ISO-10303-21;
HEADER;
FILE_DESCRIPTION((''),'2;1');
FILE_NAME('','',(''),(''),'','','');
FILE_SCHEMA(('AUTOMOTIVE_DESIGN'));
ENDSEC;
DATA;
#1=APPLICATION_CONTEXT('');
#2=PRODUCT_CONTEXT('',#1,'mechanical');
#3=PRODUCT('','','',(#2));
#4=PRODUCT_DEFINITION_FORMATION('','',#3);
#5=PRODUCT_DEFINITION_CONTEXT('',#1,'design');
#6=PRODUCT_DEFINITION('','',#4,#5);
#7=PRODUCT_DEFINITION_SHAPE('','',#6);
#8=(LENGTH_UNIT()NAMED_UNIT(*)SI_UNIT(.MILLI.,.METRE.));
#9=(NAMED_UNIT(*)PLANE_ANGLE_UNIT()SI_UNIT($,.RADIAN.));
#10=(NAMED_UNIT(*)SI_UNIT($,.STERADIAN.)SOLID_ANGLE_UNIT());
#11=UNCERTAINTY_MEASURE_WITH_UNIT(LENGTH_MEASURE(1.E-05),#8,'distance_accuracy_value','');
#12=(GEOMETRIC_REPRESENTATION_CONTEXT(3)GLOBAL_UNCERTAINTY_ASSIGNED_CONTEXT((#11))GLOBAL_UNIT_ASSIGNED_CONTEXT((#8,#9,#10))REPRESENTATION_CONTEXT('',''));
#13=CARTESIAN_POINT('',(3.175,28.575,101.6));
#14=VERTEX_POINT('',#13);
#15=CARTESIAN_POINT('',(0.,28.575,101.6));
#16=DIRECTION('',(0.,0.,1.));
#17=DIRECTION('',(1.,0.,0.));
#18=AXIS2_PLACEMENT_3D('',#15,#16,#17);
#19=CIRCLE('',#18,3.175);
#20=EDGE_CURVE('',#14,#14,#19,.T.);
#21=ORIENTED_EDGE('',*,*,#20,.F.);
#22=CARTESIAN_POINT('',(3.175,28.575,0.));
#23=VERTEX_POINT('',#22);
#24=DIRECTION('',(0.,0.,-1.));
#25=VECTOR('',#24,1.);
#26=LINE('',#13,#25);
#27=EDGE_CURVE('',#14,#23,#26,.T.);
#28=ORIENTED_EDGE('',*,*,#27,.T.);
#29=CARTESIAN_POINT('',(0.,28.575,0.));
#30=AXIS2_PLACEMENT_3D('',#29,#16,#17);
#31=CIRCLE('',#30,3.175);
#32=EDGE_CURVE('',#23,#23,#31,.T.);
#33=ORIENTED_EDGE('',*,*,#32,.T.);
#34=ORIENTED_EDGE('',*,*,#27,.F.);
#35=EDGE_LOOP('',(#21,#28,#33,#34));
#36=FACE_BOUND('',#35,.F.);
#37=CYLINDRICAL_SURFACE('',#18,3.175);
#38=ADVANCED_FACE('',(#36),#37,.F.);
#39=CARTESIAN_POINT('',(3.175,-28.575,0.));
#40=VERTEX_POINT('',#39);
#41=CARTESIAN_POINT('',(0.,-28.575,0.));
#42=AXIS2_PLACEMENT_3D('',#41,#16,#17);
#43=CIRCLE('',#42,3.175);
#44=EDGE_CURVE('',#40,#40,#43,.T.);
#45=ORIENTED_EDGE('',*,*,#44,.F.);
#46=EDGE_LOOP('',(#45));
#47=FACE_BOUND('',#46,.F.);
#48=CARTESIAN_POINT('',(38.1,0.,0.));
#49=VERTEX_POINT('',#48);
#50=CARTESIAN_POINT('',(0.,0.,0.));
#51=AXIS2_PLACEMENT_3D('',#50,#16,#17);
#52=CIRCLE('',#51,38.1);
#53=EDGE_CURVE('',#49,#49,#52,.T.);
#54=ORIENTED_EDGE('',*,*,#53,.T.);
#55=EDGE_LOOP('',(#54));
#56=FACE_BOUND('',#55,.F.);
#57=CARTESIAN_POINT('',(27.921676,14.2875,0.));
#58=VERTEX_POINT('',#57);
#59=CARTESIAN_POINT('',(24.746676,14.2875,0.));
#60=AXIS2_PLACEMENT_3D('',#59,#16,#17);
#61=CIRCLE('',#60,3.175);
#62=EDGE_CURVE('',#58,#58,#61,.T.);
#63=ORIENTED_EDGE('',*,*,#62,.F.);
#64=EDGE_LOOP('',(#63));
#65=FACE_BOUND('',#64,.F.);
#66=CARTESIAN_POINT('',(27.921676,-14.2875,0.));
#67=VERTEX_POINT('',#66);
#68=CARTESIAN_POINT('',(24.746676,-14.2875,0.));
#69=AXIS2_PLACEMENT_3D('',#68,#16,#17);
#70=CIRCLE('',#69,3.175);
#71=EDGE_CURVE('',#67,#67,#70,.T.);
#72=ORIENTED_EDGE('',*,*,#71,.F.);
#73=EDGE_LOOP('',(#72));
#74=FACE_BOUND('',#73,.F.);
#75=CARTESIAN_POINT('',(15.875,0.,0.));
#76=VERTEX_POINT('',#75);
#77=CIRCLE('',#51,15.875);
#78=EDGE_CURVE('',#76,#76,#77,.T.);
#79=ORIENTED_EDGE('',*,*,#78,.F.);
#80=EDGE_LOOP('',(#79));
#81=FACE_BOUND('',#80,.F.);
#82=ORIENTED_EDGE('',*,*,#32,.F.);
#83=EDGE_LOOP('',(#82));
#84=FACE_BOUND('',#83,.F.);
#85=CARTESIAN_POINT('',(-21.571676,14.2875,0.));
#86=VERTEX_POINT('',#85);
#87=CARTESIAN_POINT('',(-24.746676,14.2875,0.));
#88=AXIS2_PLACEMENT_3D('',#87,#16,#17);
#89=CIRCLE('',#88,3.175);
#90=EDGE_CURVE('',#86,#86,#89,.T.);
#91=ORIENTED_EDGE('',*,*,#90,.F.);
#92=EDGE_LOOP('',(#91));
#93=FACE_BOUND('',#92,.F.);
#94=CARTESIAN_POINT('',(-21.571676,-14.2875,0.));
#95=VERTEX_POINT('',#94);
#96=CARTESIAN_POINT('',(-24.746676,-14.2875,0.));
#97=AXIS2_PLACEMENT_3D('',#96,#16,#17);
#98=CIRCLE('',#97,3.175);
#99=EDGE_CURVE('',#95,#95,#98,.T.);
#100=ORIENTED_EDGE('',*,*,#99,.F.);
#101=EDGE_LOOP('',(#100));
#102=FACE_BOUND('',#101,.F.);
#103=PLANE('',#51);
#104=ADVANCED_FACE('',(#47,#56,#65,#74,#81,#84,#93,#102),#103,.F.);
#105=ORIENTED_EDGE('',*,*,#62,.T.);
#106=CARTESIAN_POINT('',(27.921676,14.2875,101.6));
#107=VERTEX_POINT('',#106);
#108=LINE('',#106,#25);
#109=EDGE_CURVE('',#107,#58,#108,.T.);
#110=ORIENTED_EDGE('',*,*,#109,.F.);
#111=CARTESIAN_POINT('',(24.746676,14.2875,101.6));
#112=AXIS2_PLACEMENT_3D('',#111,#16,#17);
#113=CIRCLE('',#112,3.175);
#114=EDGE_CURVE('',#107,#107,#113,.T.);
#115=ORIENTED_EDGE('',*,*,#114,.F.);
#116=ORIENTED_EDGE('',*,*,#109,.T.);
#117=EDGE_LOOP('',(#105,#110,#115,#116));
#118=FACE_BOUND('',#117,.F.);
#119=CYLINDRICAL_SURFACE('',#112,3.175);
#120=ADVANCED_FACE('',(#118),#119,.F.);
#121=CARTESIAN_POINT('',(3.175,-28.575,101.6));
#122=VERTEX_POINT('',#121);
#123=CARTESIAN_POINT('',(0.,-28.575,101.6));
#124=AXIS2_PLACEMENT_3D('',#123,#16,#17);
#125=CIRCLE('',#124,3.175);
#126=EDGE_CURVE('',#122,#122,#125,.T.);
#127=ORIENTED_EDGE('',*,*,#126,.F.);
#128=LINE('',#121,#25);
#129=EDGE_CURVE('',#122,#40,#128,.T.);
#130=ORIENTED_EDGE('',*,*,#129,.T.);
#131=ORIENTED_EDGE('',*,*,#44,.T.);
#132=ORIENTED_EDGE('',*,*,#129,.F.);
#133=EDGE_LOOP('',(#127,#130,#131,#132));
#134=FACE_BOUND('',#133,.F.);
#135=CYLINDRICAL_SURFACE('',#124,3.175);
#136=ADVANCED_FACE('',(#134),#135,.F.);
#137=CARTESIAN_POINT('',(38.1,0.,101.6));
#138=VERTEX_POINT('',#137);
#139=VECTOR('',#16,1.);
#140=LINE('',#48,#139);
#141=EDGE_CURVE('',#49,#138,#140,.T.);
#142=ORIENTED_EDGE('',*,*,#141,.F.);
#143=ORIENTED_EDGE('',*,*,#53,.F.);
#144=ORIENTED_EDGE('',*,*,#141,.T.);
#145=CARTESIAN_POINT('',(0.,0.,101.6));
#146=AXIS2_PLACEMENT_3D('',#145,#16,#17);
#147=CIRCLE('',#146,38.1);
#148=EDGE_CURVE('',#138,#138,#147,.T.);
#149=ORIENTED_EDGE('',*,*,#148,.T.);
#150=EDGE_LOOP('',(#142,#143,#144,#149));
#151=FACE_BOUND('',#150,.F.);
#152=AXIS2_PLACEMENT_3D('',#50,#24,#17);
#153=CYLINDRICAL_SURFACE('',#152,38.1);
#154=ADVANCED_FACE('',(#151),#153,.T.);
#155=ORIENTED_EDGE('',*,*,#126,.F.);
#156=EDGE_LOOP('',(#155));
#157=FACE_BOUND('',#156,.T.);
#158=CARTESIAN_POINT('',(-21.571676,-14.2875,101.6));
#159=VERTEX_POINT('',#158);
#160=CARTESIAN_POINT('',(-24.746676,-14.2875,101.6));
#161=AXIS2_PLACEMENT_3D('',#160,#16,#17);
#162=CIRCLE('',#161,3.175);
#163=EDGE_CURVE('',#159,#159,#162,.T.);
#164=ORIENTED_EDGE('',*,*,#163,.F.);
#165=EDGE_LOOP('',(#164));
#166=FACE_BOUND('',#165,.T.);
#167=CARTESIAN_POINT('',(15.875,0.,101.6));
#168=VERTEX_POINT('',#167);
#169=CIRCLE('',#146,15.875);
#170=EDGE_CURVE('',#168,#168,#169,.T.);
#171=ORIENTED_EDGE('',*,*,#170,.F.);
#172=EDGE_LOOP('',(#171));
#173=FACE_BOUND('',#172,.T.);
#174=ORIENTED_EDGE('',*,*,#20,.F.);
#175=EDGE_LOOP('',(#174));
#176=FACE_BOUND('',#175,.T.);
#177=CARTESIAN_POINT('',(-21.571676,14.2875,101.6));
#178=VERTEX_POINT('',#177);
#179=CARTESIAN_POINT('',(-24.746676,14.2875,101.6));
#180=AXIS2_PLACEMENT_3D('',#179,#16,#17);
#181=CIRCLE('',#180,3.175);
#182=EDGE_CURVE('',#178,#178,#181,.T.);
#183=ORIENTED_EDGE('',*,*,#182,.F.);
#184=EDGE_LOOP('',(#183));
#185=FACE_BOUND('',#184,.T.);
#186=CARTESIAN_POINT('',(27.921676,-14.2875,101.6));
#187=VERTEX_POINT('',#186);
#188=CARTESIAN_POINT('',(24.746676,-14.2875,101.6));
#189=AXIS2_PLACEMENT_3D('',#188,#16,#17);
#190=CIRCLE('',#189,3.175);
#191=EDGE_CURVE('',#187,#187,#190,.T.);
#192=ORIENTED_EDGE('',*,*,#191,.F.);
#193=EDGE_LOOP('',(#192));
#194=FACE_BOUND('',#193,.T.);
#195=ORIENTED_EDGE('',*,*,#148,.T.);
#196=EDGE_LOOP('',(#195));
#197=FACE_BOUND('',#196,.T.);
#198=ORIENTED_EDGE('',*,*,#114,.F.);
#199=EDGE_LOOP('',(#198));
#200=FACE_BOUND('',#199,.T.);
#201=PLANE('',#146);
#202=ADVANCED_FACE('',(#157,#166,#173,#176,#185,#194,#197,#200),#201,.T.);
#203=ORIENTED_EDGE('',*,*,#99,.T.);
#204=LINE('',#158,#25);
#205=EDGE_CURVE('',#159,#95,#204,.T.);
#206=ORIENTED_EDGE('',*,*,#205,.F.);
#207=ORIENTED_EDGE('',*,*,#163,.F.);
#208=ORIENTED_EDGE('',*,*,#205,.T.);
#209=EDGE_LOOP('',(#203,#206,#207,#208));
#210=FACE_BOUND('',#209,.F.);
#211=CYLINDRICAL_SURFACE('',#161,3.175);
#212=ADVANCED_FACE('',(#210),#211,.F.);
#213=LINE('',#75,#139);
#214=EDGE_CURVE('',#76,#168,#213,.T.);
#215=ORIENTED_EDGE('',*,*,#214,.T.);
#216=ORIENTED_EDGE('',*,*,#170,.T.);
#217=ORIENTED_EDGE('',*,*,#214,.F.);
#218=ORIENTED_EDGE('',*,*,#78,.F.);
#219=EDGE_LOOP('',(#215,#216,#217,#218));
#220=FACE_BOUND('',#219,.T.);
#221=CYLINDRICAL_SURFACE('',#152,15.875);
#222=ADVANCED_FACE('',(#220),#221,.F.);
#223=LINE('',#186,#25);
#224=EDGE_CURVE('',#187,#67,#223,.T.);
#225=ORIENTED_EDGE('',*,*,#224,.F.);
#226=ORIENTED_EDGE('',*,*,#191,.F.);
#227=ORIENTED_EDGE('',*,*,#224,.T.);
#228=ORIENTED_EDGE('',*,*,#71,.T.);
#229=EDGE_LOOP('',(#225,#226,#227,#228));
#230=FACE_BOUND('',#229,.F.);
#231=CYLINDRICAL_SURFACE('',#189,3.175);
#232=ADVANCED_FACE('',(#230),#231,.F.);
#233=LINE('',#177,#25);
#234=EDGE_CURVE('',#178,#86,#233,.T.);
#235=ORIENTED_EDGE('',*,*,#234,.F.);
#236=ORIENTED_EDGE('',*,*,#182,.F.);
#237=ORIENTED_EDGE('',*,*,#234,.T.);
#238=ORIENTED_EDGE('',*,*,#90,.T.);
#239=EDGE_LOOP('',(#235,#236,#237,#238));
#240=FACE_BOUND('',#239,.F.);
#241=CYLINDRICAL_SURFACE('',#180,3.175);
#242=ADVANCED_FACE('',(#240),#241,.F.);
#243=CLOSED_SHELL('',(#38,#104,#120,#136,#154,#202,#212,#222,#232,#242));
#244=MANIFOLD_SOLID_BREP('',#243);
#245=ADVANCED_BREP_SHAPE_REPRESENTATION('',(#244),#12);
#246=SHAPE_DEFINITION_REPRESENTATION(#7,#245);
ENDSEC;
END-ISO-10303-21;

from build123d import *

# Parameters (mm, degrees)
F0_R     = 38.1
F0_R_2   = 15.875
F1_DEPTH = 101.6
F2_R     = 3.175
F3_DEPTH = 101.601


with BuildPart() as f1:
    # F0 (on Top) → F1 (new body)
    with BuildSketch(Plane.XY):
        Circle(F0_R)
        Circle(F0_R_2, mode=Mode.SUBTRACT)
    extrude(amount=F1_DEPTH)

    # F2 (on face) → F3 (cut, through all)
    with BuildSketch(Plane.XY.offset(101.6)):
        with Locations((0, 28.575)):
            Circle(F2_R)
        with Locations((-24.746676, 14.2875)):
            Circle(F2_R)
        with Locations((-24.746676, -14.2875)):
            Circle(F2_R)
        with Locations((0, -28.575)):
            Circle(F2_R)
        with Locations((24.746676, -14.2875)):
            Circle(F2_R)
        with Locations((24.746676, 14.2875)):
            Circle(F2_R)
    extrude(amount=-F3_DEPTH, mode=Mode.SUBTRACT)


solid = f1.part
